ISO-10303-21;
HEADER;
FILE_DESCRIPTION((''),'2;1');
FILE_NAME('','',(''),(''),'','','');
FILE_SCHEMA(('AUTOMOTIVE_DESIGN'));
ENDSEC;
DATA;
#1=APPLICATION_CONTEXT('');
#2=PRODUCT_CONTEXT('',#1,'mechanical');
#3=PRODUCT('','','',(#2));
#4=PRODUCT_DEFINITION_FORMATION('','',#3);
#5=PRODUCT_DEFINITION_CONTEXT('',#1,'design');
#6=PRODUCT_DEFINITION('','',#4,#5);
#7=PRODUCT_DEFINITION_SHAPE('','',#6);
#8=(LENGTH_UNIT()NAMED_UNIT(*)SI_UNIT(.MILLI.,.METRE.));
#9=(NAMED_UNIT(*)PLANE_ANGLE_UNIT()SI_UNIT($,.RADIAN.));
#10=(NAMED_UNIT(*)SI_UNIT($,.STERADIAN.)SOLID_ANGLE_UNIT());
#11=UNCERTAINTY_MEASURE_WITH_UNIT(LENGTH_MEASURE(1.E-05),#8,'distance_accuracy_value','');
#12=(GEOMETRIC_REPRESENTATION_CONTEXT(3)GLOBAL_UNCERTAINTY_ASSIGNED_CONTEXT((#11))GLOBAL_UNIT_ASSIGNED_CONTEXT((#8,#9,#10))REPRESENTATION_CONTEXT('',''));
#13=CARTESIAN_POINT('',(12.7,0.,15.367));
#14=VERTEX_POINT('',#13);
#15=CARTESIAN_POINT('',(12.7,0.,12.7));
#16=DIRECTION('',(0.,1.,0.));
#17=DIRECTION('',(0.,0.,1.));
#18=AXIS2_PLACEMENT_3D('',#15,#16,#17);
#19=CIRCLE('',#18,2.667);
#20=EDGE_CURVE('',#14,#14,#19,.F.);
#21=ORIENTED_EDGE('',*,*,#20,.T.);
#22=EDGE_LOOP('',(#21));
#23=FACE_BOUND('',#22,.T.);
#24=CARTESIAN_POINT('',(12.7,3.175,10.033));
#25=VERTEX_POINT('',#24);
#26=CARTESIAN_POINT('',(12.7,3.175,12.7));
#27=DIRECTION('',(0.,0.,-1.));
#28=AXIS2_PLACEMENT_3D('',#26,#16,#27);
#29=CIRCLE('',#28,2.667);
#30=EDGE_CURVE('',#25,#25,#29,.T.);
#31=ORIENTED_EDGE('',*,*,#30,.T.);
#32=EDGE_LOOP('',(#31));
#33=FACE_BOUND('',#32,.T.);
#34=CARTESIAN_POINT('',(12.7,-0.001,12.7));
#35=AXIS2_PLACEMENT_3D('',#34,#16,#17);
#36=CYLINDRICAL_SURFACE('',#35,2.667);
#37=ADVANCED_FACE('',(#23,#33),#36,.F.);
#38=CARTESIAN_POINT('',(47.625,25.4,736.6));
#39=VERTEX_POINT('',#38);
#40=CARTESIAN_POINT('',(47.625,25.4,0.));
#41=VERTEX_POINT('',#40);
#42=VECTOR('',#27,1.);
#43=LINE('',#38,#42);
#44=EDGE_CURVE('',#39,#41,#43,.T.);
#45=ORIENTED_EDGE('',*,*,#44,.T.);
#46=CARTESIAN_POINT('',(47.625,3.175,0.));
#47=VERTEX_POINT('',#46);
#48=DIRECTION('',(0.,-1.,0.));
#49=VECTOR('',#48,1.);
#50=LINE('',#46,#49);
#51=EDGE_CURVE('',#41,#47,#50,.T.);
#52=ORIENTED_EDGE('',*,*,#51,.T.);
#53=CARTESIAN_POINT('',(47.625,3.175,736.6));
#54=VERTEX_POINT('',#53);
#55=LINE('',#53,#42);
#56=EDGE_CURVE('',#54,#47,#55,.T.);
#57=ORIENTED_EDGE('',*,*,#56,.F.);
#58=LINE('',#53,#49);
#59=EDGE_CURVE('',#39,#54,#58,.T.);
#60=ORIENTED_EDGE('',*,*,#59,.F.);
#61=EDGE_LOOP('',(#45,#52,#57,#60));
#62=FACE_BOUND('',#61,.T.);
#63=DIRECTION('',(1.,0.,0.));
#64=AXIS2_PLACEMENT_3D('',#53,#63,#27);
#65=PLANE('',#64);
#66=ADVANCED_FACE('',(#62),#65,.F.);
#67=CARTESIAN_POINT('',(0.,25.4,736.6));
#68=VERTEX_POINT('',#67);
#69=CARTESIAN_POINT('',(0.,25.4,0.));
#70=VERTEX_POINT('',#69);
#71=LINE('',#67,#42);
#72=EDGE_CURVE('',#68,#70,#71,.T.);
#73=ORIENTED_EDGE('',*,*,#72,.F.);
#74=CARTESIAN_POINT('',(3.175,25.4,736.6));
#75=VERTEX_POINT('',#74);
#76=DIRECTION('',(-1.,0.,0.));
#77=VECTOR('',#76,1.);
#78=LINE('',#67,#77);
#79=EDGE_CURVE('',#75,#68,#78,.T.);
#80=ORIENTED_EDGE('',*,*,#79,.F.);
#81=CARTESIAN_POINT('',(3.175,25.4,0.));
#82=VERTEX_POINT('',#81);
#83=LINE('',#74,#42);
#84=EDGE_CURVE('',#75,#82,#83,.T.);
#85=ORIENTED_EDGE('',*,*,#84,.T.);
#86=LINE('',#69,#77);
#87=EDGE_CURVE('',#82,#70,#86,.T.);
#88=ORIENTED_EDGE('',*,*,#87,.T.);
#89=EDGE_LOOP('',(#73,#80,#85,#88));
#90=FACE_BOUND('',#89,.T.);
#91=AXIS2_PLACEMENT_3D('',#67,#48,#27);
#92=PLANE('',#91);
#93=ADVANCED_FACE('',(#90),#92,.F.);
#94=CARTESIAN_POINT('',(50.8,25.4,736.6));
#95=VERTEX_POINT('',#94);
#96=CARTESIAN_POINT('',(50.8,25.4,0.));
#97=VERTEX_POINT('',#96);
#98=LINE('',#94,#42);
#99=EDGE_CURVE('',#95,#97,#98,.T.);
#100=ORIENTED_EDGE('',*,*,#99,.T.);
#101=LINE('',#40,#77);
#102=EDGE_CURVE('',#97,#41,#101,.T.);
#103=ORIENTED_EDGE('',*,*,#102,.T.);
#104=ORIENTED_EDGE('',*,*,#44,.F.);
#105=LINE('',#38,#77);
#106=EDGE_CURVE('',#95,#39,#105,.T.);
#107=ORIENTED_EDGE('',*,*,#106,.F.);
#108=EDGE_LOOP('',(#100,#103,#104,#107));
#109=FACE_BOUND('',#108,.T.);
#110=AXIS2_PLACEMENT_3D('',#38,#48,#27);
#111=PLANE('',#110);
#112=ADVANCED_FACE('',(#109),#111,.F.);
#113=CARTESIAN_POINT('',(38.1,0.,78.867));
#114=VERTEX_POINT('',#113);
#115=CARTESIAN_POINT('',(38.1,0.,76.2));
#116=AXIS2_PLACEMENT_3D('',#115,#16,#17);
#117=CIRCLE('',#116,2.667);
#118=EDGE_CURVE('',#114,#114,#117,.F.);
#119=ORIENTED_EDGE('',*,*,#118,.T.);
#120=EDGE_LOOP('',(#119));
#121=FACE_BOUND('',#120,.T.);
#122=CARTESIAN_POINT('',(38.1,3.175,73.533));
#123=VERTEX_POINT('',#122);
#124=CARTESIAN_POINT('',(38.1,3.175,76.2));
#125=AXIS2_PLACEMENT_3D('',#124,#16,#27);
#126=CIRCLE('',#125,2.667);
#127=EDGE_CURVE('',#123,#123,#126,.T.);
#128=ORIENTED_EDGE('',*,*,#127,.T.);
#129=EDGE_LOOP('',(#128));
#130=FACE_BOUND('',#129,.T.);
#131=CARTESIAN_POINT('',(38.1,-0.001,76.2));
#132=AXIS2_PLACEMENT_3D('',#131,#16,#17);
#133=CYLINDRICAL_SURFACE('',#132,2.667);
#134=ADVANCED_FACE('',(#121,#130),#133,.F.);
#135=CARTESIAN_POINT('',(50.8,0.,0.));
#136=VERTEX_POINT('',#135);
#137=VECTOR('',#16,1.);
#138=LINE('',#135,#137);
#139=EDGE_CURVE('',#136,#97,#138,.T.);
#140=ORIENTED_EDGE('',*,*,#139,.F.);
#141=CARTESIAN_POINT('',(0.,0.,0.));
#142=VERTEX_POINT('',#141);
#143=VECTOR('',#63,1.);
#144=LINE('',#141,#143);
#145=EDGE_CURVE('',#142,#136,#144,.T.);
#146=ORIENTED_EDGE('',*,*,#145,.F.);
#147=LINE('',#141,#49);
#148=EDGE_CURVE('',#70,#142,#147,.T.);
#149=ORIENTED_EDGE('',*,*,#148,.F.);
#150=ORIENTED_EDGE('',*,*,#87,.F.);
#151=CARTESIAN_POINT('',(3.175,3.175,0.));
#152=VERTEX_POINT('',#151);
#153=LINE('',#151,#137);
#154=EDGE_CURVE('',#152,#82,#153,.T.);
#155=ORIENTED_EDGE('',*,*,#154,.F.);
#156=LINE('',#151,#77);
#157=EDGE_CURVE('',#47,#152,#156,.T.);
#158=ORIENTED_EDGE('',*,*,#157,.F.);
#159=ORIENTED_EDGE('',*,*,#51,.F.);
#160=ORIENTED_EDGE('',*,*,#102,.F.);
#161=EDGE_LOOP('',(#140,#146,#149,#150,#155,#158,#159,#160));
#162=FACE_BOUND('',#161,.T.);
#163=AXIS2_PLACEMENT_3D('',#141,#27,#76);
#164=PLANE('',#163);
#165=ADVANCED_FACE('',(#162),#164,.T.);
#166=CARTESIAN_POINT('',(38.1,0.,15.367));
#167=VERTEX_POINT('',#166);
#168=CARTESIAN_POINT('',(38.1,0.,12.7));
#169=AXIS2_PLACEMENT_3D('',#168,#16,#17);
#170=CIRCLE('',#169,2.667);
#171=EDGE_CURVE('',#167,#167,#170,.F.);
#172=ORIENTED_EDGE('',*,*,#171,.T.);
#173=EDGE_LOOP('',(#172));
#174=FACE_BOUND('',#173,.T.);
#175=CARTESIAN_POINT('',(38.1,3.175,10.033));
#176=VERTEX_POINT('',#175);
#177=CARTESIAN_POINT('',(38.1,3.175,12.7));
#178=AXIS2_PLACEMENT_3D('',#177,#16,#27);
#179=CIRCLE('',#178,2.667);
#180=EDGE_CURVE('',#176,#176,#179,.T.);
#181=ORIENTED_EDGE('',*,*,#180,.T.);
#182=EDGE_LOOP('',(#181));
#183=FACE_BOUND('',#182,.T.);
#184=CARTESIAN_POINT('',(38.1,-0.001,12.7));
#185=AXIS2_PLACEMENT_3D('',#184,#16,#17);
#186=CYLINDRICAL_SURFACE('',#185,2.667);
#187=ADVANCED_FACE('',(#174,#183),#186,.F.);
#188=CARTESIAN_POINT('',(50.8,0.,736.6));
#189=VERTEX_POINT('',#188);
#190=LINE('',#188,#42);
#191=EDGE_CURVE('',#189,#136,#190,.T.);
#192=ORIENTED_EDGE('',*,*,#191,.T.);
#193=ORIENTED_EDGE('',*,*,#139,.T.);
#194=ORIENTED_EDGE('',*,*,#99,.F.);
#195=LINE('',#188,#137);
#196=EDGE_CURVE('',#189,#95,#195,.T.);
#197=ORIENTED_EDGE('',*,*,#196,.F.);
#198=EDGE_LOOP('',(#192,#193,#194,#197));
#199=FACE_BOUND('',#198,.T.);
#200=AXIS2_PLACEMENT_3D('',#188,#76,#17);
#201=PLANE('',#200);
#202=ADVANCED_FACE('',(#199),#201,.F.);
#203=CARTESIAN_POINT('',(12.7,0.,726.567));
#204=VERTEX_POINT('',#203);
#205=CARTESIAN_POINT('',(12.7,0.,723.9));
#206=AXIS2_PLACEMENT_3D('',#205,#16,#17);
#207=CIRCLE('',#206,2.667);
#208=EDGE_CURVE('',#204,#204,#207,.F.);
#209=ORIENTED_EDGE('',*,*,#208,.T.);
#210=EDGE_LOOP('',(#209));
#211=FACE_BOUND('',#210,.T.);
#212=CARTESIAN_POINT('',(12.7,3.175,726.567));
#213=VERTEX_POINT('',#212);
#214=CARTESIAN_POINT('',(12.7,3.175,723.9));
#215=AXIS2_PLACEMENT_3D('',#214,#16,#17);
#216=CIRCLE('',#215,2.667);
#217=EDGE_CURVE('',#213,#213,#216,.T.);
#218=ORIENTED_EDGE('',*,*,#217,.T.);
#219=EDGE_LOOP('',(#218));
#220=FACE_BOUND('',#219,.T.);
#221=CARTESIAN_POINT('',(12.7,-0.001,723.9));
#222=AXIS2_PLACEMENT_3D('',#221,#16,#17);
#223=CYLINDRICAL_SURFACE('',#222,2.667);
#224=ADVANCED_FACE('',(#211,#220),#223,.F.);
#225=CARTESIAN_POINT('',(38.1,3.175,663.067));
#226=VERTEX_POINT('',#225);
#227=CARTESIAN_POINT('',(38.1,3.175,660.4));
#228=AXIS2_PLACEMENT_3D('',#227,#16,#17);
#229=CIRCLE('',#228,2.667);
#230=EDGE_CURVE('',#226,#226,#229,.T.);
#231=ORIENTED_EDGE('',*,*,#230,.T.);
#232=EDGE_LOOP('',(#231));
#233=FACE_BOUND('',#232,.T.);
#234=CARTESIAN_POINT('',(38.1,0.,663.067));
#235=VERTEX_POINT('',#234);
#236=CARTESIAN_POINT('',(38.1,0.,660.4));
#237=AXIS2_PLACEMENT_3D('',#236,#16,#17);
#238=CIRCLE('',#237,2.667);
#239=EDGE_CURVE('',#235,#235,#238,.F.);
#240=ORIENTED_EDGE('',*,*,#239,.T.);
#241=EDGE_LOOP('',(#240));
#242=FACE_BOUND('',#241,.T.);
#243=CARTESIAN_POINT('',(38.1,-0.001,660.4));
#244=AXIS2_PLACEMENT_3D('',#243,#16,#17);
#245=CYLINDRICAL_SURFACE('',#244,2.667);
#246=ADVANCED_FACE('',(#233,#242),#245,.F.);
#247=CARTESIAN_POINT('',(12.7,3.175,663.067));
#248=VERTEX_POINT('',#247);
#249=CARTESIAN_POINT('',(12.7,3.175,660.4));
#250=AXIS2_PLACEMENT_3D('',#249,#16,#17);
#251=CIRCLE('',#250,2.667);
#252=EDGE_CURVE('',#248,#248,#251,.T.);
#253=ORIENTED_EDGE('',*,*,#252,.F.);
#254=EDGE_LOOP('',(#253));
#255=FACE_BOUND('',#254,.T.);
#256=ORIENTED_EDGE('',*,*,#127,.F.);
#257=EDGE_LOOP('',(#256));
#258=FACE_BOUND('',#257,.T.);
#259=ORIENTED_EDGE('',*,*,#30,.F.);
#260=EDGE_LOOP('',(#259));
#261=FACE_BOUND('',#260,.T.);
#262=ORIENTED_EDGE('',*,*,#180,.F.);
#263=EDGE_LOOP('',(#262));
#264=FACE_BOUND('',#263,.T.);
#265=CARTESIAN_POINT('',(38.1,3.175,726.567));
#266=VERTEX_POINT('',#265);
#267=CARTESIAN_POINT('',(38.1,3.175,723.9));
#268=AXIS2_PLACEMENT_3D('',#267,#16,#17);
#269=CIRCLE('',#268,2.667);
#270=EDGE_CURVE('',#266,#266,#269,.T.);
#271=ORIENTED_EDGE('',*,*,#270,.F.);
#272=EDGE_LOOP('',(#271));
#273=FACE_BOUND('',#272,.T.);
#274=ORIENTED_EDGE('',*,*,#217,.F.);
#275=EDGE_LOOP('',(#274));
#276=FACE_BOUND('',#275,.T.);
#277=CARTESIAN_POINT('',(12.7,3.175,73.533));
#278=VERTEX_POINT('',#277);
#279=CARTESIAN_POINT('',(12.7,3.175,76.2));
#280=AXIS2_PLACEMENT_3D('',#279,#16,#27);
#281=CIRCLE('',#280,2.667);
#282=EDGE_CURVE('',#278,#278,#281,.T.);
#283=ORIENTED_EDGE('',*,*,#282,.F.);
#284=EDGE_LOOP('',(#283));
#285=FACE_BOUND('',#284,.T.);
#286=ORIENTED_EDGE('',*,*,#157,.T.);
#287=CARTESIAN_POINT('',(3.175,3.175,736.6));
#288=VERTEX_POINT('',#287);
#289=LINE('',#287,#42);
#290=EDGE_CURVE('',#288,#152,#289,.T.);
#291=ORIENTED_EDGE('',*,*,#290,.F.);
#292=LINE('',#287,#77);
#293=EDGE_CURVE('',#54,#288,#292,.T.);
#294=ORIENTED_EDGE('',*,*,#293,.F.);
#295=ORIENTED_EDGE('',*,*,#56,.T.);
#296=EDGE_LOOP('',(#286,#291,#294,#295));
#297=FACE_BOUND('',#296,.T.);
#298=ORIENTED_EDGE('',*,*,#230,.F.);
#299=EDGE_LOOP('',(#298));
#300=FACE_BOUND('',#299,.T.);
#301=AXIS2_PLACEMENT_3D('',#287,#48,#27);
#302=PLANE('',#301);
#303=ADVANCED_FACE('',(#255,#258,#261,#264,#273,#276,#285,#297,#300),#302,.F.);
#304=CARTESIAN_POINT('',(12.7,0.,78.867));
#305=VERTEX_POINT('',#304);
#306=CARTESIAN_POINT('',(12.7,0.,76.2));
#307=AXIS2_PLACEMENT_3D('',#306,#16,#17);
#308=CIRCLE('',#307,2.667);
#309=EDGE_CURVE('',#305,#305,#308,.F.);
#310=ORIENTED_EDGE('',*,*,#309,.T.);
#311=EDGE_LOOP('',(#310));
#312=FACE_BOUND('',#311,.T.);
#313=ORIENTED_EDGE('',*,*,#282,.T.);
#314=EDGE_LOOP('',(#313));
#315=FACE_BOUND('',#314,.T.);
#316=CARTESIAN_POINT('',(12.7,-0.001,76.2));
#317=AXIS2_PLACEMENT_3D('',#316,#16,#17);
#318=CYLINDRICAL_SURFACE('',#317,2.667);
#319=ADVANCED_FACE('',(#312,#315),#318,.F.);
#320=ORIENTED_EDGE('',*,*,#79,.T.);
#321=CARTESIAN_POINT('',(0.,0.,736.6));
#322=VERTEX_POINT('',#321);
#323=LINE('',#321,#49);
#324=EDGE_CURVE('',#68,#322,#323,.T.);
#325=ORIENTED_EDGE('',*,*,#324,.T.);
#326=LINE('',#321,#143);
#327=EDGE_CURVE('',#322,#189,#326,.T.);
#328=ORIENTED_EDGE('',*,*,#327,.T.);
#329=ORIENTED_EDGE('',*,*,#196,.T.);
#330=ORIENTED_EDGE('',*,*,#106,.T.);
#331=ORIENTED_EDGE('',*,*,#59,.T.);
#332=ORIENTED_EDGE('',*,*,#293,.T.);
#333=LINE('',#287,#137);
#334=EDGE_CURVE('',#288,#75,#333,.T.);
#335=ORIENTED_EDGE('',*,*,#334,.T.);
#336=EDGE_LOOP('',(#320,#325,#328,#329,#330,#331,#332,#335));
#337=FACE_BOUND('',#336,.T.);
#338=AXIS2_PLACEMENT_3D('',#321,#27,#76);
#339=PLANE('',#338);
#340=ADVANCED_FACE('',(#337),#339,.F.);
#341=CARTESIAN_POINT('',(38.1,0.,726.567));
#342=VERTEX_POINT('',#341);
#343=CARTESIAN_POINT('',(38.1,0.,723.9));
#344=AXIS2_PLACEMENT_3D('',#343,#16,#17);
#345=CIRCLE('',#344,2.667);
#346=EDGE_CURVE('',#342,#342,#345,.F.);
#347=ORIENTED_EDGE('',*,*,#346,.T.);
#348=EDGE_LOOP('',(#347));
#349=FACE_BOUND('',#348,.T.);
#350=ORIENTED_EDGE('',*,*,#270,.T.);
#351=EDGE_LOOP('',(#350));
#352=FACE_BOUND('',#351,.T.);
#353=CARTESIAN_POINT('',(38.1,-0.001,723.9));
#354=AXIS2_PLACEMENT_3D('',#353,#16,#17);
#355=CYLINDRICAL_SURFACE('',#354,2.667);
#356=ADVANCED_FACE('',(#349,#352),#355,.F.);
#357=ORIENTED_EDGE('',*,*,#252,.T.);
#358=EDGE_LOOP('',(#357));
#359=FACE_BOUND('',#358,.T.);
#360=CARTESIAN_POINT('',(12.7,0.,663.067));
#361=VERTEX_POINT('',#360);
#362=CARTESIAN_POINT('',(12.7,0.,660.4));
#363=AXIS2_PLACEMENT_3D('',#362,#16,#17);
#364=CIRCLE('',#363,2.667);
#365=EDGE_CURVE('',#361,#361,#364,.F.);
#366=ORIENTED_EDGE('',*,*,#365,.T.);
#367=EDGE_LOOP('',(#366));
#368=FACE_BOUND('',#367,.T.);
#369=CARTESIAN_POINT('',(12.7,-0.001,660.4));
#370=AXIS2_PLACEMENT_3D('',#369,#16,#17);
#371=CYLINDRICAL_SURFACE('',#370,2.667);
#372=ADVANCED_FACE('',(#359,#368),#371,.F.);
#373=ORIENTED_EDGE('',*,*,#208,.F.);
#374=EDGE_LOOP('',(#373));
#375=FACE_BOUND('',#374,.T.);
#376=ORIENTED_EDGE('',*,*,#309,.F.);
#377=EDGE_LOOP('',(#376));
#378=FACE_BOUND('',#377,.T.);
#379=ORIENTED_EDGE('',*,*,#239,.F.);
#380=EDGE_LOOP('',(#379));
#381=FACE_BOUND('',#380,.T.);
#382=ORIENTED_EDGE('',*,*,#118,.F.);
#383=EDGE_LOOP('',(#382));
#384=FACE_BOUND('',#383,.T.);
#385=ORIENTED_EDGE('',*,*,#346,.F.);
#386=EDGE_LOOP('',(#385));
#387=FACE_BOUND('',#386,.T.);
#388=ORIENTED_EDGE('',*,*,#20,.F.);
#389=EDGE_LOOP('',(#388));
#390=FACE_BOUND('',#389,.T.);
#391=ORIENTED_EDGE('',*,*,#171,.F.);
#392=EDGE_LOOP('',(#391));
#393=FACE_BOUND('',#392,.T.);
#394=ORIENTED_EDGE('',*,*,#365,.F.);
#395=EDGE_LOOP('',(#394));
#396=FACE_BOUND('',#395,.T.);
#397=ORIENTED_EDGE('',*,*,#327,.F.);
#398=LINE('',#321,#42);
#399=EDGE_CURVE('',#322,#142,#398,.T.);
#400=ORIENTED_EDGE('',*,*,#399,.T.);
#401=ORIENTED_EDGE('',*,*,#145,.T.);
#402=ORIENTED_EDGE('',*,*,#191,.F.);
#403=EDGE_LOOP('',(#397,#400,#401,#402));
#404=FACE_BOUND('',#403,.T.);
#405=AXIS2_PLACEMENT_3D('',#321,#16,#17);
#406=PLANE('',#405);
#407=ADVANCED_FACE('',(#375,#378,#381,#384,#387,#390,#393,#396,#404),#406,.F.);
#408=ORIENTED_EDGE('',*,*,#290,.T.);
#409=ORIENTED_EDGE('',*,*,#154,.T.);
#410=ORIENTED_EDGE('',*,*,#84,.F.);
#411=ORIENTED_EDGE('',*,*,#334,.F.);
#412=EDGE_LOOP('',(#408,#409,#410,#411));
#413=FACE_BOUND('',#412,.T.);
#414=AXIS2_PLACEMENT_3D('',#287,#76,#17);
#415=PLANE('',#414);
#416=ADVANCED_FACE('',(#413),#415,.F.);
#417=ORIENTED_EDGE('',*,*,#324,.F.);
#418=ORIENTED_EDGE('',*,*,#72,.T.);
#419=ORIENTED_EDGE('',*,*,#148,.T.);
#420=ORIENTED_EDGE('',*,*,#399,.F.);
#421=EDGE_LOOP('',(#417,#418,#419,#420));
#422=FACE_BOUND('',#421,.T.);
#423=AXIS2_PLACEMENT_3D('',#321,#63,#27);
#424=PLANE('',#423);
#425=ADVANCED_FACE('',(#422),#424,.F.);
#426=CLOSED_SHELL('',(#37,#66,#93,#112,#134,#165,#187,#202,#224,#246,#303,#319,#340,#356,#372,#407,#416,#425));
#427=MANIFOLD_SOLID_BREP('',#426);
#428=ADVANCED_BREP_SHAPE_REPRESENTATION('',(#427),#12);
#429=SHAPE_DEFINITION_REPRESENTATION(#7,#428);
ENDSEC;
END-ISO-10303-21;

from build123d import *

# Parameters (mm, degrees)
EXTRUDE_F_DEPTH    = 736.6
CUT_EXTRUDE1_REACH = 740.684
SKETCH2_R          = 2.667


with BuildPart() as part:
    # Sketch1 → Extrude f (new body)
    with BuildSketch(Plane.XY):
        Polygon((3.175, 3.175), (3.175, 25.4), (0, 25.4), (0, 0), (50.8, 0), (50.8, 25.4), (47.625, 25.4), (47.625, 3.175), align=None)
    extrude(amount=EXTRUDE_F_DEPTH)

    # Sketch2 → Cut-Extrude1 (cut, up to next)
    with BuildSketch(Plane(origin=(0, 3.175, 0), x_dir=(1, 0, 0), z_dir=(0, 1, 0)), mode=Mode.PRIVATE) as cut_extrude1_sk1:
        with Locations(Location((12.7, -723.9, 0), (0, 0, 270))):
            Circle(SKETCH2_R)
    cut_extrude1_tool1 = extrude(cut_extrude1_sk1.sketch, amount=-CUT_EXTRUDE1_REACH, mode=Mode.PRIVATE) & part.part
    # Sketch2 → Cut-Extrude1 (cut, up to next)
    with BuildSketch(Plane(origin=(0, 3.175, 0), x_dir=(1, 0, 0), z_dir=(0, 1, 0)), mode=Mode.PRIVATE) as cut_extrude1_sk2:
        with Locations(Location((12.7, -660.4, 0), (0, 0, 270))):
            Circle(SKETCH2_R)
    cut_extrude1_tool2 = extrude(cut_extrude1_sk2.sketch, amount=-CUT_EXTRUDE1_REACH, mode=Mode.PRIVATE) & part.part
    # Sketch2 → Cut-Extrude1 (cut, up to next)
    with BuildSketch(Plane(origin=(0, 3.175, 0), x_dir=(1, 0, 0), z_dir=(0, 1, 0)), mode=Mode.PRIVATE) as cut_extrude1_sk3:
        with Locations(Location((38.1, -660.4, 0), (0, 0, 270))):
            Circle(SKETCH2_R)
    cut_extrude1_tool3 = extrude(cut_extrude1_sk3.sketch, amount=-CUT_EXTRUDE1_REACH, mode=Mode.PRIVATE) & part.part
    # Sketch2 → Cut-Extrude1 (cut, up to next)
    with BuildSketch(Plane(origin=(0, 3.175, 0), x_dir=(1, 0, 0), z_dir=(0, 1, 0)), mode=Mode.PRIVATE) as cut_extrude1_sk4:
        with Locations(Location((38.1, -723.9, 0), (0, 0, 270))):
            Circle(SKETCH2_R)
    cut_extrude1_tool4 = extrude(cut_extrude1_sk4.sketch, amount=-CUT_EXTRUDE1_REACH, mode=Mode.PRIVATE) & part.part
    # Sketch2 → Cut-Extrude1 (cut, up to next)
    with BuildSketch(Plane(origin=(0, 3.175, 0), x_dir=(1, 0, 0), z_dir=(0, 1, 0)), mode=Mode.PRIVATE) as cut_extrude1_sk5:
        with Locations(Location((38.1, -12.7, 0), (0, 0, 270))):
            Circle(SKETCH2_R)
    cut_extrude1_tool5 = extrude(cut_extrude1_sk5.sketch, amount=-CUT_EXTRUDE1_REACH, mode=Mode.PRIVATE) & part.part
    # Sketch2 → Cut-Extrude1 (cut, up to next)
    with BuildSketch(Plane(origin=(0, 3.175, 0), x_dir=(1, 0, 0), z_dir=(0, 1, 0)), mode=Mode.PRIVATE) as cut_extrude1_sk6:
        with Locations(Location((38.1, -76.2, 0), (0, 0, 270))):
            Circle(SKETCH2_R)
    cut_extrude1_tool6 = extrude(cut_extrude1_sk6.sketch, amount=-CUT_EXTRUDE1_REACH, mode=Mode.PRIVATE) & part.part
    # Sketch2 → Cut-Extrude1 (cut, up to next)
    with BuildSketch(Plane(origin=(0, 3.175, 0), x_dir=(1, 0, 0), z_dir=(0, 1, 0)), mode=Mode.PRIVATE) as cut_extrude1_sk7:
        with Locations(Location((12.7, -12.7, 0), (0, 0, 270))):
            Circle(SKETCH2_R)
    cut_extrude1_tool7 = extrude(cut_extrude1_sk7.sketch, amount=-CUT_EXTRUDE1_REACH, mode=Mode.PRIVATE) & part.part
    # Sketch2 → Cut-Extrude1 (cut, up to next)
    with BuildSketch(Plane(origin=(0, 3.175, 0), x_dir=(1, 0, 0), z_dir=(0, 1, 0)), mode=Mode.PRIVATE) as cut_extrude1_sk8:
        with Locations(Location((12.7, -76.2, 0), (0, 0, 270))):
            Circle(SKETCH2_R)
    cut_extrude1_tool8 = extrude(cut_extrude1_sk8.sketch, amount=-CUT_EXTRUDE1_REACH, mode=Mode.PRIVATE) & part.part
    add(cut_extrude1_tool1.solids().sort_by_distance((12.7, 3.175, 723.9))[0], mode=Mode.SUBTRACT)
    add(cut_extrude1_tool2.solids().sort_by_distance((12.7, 3.175, 660.4))[0], mode=Mode.SUBTRACT)
    add(cut_extrude1_tool3.solids().sort_by_distance((38.1, 3.175, 660.4))[0], mode=Mode.SUBTRACT)
    add(cut_extrude1_tool4.solids().sort_by_distance((38.1, 3.175, 723.9))[0], mode=Mode.SUBTRACT)
    add(cut_extrude1_tool5.solids().sort_by_distance((38.1, 3.175, 12.7))[0], mode=Mode.SUBTRACT)
    add(cut_extrude1_tool6.solids().sort_by_distance((38.1, 3.175, 76.2))[0], mode=Mode.SUBTRACT)
    add(cut_extrude1_tool7.solids().sort_by_distance((12.7, 3.175, 12.7))[0], mode=Mode.SUBTRACT)
    add(cut_extrude1_tool8.solids().sort_by_distance((12.7, 3.175, 76.2))[0], mode=Mode.SUBTRACT)


solid = part.part
